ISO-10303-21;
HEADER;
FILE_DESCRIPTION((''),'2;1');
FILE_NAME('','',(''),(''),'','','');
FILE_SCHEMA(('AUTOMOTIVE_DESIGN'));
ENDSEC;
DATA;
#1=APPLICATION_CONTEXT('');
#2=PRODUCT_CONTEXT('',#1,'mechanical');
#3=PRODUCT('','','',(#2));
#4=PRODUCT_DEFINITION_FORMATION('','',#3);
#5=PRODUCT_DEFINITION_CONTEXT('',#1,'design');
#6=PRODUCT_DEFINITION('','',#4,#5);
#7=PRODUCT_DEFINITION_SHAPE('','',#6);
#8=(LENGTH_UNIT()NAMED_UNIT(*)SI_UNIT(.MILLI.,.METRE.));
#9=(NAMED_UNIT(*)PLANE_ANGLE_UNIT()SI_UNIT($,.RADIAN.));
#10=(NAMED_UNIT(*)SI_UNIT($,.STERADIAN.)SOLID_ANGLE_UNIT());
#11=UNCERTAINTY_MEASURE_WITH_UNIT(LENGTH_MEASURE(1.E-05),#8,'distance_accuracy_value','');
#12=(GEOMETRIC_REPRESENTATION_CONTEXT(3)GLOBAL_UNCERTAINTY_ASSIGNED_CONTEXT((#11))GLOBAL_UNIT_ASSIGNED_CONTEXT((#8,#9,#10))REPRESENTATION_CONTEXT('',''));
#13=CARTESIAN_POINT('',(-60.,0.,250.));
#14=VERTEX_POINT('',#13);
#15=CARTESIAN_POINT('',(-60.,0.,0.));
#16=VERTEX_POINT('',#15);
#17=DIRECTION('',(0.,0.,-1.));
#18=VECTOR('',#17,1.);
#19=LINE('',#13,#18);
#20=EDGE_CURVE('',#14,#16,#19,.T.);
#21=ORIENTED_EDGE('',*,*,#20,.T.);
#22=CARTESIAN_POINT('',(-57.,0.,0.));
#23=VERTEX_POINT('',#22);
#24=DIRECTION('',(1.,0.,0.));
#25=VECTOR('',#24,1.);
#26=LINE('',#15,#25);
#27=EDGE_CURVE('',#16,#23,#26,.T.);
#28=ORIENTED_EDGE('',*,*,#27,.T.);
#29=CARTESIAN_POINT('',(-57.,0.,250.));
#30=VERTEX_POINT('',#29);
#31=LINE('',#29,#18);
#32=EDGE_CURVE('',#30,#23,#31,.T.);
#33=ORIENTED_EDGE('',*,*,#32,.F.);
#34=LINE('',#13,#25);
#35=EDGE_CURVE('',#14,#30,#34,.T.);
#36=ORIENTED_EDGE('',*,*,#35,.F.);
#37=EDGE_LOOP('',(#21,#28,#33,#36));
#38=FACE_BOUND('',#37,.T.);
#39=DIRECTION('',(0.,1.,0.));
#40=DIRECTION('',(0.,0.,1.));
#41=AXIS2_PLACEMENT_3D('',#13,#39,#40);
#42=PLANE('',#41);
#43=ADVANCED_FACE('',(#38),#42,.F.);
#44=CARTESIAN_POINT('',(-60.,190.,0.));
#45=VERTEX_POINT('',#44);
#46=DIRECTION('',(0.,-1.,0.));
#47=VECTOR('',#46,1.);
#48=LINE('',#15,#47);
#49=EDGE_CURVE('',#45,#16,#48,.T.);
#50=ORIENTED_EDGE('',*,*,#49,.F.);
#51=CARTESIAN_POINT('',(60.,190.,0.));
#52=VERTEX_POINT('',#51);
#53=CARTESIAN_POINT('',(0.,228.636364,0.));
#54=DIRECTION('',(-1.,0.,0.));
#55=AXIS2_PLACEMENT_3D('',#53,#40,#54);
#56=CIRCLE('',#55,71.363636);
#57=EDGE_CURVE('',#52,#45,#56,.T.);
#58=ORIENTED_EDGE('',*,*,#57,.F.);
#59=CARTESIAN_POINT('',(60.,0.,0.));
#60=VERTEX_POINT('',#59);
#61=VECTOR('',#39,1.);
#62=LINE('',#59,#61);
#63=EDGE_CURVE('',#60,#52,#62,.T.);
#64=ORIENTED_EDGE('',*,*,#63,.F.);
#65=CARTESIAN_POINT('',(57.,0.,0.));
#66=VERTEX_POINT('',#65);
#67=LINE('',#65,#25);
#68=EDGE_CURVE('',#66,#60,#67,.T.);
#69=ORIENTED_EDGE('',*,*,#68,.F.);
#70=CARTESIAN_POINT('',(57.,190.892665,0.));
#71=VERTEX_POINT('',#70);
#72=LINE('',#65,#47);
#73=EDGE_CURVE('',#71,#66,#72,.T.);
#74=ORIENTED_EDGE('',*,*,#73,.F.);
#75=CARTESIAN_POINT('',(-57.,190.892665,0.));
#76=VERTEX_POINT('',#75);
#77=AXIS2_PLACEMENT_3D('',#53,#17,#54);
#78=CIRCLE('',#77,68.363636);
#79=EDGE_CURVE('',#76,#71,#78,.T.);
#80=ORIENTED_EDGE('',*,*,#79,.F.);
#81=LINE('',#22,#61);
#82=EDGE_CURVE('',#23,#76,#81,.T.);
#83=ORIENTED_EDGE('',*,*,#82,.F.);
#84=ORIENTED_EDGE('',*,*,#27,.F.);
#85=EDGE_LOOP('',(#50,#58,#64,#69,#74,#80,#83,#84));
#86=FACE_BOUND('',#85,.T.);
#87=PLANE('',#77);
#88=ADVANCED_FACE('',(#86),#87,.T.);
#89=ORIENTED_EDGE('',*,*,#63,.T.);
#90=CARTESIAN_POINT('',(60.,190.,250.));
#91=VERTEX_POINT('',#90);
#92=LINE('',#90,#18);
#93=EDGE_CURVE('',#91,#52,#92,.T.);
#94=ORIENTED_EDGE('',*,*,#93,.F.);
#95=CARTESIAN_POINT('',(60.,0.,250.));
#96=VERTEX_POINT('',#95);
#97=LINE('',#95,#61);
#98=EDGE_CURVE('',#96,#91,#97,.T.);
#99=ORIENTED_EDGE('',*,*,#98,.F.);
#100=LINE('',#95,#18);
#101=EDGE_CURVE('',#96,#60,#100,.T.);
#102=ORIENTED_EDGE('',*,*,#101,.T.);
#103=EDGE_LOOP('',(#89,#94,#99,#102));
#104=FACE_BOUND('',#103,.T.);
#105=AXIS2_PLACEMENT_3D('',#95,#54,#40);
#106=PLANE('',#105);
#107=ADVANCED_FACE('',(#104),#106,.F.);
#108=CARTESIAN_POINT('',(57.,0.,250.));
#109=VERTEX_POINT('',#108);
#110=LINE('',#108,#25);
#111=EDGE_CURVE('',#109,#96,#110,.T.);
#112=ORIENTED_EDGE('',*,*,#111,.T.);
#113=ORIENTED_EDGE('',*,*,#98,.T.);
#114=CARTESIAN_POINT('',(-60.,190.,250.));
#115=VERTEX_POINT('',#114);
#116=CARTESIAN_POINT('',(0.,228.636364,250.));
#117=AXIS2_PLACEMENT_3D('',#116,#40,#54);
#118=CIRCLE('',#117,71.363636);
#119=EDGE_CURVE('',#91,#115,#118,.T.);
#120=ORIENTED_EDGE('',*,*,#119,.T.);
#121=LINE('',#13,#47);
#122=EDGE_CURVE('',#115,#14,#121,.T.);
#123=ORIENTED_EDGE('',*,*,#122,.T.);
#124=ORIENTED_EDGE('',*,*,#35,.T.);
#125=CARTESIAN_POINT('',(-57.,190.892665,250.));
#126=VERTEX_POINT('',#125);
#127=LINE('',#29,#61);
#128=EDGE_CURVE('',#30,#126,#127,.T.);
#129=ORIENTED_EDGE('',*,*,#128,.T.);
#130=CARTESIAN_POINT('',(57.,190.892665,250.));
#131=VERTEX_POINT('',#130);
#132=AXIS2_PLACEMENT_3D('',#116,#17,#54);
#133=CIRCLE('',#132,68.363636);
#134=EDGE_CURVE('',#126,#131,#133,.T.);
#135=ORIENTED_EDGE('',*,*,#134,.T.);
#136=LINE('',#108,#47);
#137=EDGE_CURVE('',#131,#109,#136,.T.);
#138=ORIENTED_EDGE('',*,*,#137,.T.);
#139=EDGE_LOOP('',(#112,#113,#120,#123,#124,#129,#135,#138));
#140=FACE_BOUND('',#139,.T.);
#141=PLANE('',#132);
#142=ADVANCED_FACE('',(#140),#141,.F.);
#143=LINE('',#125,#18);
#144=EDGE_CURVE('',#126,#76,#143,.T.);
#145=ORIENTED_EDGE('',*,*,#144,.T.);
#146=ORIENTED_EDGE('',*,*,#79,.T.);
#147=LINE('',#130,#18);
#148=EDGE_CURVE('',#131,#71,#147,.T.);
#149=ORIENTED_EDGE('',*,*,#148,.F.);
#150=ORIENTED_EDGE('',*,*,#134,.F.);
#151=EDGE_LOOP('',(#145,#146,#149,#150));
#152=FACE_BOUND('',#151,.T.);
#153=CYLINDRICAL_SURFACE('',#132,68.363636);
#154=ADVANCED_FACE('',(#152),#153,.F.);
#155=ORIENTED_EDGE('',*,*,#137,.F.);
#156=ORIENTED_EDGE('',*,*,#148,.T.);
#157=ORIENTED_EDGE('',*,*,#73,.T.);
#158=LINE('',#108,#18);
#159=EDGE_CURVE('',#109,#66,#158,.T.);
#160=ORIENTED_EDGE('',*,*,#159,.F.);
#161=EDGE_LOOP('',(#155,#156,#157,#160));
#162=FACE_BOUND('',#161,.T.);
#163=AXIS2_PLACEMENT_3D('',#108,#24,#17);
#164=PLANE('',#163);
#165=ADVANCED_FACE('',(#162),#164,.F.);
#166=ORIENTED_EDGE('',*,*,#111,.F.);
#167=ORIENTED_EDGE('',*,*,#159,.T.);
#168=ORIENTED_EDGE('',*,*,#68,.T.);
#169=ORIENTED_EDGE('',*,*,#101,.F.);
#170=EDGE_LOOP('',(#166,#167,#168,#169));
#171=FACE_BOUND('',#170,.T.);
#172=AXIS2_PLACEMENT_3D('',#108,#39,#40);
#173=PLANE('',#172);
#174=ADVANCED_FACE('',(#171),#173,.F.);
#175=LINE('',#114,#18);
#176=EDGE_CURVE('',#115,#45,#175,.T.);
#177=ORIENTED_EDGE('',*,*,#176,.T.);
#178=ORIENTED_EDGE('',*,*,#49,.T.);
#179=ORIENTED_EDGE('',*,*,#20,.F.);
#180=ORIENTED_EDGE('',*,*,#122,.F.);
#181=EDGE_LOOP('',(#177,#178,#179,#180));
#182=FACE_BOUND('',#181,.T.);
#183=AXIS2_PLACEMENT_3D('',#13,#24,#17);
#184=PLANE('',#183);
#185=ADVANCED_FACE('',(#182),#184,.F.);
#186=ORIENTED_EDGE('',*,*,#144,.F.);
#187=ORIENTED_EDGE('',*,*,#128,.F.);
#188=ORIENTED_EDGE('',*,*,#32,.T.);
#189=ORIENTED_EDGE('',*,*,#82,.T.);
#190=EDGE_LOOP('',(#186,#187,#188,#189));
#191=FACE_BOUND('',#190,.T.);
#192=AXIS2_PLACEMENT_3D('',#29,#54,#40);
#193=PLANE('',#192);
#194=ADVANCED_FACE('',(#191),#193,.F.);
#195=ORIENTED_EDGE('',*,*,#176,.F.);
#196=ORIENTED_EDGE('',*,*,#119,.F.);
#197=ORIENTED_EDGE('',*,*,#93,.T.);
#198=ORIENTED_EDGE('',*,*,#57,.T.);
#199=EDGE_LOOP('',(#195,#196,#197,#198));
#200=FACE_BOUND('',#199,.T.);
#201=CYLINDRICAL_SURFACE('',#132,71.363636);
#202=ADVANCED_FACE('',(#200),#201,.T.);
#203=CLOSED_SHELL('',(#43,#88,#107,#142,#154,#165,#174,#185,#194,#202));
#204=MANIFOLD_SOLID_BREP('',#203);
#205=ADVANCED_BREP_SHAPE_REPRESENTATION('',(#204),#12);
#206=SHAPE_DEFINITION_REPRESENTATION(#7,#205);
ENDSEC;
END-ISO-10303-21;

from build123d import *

# Parameters (mm, degrees)
SALIENTE_EXTRUIR1_DEPTH = 250


with BuildPart() as part:
    # Croquis1 → Saliente-Extruir1 (new body)
    with BuildSketch(Plane.XY):
        with BuildLine():
            Line((60, 0), (60, 190))
            ThreePointArc((60, 190), (0, 300), (-60, 190))
            Line((-60, 190), (-60, 0))
            Line((-60, 0), (-57, 0))
            Line((-57, 0), (-57, 190.892665131))
            ThreePointArc((-57, 190.892665131), (0, 297), (57, 190.892665131))
            Line((57, 190.892665131), (57, 0))
            Line((57, 0), (60, 0))
        make_face()
    extrude(amount=SALIENTE_EXTRUIR1_DEPTH)


solid = part.part
